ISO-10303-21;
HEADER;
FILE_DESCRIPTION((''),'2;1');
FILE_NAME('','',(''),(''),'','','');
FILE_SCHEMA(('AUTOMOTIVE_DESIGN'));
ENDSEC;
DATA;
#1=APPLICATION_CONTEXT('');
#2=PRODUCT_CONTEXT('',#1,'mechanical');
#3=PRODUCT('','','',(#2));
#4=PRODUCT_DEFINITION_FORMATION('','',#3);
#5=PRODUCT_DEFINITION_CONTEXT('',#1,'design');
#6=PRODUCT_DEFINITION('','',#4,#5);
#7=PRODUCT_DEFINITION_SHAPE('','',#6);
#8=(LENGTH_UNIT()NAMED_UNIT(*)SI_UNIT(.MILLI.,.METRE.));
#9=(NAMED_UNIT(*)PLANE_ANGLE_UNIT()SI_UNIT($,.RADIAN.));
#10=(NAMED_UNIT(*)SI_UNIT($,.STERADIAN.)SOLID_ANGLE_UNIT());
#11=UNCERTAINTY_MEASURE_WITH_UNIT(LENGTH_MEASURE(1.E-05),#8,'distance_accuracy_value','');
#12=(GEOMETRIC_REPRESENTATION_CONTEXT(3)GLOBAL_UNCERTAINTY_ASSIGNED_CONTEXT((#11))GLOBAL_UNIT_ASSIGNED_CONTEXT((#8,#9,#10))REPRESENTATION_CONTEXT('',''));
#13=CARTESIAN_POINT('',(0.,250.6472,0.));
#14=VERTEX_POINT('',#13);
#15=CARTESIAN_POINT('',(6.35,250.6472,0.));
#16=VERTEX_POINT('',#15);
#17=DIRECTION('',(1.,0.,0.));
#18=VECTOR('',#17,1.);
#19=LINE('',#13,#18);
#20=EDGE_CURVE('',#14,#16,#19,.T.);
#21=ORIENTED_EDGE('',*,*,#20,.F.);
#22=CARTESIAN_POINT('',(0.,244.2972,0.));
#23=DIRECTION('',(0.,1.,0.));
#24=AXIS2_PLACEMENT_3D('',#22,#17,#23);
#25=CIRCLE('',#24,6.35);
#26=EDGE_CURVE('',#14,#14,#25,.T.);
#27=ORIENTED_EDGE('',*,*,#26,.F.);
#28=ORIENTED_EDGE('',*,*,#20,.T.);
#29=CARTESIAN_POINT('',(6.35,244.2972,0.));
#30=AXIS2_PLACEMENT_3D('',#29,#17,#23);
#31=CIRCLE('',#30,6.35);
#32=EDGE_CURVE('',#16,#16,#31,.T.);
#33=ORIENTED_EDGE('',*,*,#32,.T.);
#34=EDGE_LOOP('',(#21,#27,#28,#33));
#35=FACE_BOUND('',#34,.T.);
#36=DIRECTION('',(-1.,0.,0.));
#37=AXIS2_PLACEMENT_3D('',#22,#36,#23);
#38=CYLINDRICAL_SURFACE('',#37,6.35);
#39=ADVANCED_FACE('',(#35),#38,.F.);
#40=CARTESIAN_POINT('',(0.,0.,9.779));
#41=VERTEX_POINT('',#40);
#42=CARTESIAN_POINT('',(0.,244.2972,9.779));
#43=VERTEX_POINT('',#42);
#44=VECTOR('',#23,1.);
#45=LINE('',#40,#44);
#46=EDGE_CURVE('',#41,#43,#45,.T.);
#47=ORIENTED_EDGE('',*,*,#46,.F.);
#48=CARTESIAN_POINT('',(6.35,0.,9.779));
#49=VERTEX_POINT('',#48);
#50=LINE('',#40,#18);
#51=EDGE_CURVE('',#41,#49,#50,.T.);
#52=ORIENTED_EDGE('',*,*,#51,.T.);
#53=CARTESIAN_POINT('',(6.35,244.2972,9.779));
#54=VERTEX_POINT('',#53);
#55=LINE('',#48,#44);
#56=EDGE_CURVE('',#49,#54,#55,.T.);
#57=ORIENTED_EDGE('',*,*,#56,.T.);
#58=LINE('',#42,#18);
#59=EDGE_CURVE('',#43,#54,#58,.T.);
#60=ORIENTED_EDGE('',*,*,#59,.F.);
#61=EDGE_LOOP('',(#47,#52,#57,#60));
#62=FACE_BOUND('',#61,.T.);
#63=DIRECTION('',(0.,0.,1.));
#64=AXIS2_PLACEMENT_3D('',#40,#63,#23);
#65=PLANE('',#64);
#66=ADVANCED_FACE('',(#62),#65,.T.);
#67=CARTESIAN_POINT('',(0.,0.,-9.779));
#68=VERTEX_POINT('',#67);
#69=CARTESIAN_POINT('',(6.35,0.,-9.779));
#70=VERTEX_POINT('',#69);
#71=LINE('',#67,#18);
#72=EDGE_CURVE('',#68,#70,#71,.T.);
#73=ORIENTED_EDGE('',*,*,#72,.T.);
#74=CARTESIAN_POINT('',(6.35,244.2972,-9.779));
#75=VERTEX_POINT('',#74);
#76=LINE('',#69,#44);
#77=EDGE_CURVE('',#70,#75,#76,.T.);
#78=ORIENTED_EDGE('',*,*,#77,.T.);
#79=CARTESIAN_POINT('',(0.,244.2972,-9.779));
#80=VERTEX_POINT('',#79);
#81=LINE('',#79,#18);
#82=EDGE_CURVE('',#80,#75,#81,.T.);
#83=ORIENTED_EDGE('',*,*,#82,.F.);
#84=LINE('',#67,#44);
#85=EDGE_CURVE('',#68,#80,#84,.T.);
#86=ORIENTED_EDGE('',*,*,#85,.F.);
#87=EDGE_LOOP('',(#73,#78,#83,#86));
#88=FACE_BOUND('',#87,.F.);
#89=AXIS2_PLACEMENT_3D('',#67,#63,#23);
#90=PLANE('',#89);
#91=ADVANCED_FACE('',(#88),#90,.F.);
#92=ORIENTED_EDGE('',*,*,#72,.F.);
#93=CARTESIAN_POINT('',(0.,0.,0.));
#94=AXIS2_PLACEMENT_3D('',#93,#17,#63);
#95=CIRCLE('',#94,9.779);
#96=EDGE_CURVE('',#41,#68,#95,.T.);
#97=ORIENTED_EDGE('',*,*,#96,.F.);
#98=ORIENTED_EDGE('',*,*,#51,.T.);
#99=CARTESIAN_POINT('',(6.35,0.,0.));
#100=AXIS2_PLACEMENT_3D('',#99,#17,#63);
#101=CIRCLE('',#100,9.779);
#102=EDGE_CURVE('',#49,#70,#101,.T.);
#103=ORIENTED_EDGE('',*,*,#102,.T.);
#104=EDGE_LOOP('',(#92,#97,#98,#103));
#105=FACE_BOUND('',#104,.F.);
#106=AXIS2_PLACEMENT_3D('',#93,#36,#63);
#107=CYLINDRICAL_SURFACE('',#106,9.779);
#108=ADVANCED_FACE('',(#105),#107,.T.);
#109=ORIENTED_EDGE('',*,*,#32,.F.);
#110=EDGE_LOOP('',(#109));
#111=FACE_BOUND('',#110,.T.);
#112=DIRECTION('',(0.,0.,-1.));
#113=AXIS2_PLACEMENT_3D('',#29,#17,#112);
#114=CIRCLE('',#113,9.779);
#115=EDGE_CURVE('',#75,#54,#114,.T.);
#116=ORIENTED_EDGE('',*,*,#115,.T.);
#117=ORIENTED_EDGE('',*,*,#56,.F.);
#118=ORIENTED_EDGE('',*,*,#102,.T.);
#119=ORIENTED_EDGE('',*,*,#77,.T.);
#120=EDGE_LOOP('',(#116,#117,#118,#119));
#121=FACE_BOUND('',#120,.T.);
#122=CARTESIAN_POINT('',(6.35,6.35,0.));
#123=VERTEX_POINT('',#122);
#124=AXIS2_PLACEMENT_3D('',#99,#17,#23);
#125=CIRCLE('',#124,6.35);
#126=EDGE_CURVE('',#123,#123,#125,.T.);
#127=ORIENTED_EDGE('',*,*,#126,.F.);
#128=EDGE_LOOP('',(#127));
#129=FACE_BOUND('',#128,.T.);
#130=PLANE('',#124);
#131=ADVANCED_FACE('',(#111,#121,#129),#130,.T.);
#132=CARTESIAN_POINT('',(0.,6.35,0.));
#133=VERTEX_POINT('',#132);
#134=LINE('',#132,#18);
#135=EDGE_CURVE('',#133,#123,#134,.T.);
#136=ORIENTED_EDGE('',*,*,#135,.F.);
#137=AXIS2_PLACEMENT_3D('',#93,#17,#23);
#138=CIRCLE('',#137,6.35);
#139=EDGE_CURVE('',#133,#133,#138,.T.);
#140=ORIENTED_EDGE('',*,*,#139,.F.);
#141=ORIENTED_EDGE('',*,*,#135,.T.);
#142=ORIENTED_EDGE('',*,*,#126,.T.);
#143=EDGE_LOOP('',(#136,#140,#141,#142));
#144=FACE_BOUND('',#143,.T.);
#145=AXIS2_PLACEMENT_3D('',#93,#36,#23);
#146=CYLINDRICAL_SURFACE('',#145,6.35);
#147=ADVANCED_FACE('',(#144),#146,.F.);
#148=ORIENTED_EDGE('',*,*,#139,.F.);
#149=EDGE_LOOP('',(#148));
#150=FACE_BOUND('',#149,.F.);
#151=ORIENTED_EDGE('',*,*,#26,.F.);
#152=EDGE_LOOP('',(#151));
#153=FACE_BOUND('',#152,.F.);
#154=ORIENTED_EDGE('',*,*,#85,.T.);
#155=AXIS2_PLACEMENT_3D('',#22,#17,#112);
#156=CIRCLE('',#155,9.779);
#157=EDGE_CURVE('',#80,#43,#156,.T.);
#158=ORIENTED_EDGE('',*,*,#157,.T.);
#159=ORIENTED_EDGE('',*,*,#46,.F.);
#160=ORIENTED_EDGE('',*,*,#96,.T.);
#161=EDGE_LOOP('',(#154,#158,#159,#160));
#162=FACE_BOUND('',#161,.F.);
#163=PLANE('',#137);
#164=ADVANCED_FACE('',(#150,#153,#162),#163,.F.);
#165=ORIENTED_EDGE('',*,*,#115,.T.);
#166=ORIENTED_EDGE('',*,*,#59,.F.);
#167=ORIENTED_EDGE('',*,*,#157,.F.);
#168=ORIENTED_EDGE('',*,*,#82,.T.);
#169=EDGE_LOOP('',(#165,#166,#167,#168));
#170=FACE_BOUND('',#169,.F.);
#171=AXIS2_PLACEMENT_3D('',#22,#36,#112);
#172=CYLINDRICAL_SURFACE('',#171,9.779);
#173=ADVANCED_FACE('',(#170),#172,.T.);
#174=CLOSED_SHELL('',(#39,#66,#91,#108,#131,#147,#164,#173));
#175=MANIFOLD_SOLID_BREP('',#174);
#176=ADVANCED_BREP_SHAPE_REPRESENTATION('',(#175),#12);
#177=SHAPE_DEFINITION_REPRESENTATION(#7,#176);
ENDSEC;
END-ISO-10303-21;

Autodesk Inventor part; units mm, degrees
ref_plane "YZ Plane" through (0, 0, 0) normal (1, 0, 0) x (0, 1, 0)
ref_plane "XZ Plane" through (0, 0, 0) normal (0, 1, 0) x (-1, 0, 0)
ref_plane "XY Plane" through (0, 0, 0) normal (0, 0, 1) x (1, 0, 0)
sketch "Sketch1" plane through (0, 0, 0) normal (1, 0, 0) x (0, 1, 0)
  circle A0 centre (0, 0) radius 6.35
  arc A1 (0, 9.779) -> (0, -9.779) centre (0, 0) ccw
  line L0 (0, 9.779) -> (244.2972, 9.779)
  line L1 (0, -9.779) -> (244.2972, -9.779)
  arc A2 (244.2972, -9.779) -> (244.2972, 9.779) centre (244.2972, 0) ccw
  circle A3 centre (244.2972, 0) radius 6.35
  dimension "d0" = 12.7
  dimension "d1" = 19.558
  dimension "d2" = 244.2972
  dimension "d3" = 244.2972
  dimension "d4" = 12.7
extrude "Extrusion1" add sketch "Sketch1" along normal blind 6.35
properties part number "RollerArm"
